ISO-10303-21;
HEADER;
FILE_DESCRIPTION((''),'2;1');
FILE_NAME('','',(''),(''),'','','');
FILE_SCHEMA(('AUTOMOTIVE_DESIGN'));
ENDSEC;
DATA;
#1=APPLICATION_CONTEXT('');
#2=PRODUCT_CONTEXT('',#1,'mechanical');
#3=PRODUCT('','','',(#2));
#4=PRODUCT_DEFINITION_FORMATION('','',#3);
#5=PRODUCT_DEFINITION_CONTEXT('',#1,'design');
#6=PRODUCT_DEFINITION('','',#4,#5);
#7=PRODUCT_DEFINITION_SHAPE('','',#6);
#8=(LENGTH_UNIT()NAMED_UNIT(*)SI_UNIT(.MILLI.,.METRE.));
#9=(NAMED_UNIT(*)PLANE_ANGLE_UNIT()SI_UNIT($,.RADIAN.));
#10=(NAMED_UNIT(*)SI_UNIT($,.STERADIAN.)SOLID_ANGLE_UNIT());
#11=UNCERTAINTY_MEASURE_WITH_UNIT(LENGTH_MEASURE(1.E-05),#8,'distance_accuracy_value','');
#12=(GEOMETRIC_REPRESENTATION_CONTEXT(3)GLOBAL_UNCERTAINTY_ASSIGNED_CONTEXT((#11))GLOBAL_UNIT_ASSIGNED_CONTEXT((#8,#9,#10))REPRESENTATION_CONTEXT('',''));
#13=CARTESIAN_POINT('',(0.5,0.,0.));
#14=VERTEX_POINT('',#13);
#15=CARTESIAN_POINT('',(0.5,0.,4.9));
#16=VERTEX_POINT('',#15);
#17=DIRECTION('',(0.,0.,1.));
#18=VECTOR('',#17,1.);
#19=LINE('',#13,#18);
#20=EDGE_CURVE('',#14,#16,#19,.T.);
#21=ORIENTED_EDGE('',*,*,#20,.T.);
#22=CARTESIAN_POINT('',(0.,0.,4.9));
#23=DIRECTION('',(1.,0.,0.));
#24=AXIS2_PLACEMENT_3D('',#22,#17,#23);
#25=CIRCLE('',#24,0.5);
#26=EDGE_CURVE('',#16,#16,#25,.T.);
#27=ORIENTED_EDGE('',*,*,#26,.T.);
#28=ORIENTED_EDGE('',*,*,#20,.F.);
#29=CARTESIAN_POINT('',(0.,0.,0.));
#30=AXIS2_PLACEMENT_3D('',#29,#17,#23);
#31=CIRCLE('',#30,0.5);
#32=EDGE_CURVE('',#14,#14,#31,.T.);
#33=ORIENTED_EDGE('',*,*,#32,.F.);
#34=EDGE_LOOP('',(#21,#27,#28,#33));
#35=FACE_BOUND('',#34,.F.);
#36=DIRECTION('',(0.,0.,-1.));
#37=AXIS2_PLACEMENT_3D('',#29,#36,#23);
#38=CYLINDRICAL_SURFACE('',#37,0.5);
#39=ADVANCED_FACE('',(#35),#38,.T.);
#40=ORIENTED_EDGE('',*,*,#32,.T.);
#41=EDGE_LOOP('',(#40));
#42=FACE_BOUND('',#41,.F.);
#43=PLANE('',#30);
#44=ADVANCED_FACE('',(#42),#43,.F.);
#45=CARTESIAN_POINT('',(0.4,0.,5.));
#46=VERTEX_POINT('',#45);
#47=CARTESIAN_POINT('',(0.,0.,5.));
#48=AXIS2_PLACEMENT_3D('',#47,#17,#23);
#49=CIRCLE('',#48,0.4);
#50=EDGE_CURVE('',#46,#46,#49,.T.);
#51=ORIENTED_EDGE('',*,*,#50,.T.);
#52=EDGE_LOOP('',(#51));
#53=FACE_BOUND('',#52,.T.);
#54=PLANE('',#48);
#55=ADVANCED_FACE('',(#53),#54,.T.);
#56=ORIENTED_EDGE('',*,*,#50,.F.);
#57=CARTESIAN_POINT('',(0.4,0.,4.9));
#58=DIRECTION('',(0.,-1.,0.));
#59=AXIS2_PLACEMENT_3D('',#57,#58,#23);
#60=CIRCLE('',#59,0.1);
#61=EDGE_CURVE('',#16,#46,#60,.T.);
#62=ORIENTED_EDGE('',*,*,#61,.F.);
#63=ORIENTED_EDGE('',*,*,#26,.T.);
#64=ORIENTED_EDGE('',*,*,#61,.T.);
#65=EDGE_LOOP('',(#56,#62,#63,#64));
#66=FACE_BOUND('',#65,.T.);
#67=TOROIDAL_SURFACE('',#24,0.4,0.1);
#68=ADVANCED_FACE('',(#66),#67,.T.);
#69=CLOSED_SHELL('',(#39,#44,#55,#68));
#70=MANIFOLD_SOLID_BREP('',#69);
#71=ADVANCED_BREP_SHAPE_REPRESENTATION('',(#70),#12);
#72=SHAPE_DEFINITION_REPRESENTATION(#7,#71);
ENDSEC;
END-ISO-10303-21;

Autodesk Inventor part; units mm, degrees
ref_plane "YZ Plane" through (0, 0, 0) normal (1, 0, 0) x (0, 1, 0)
ref_plane "XZ Plane" through (0, 0, 0) normal (0, 1, 0) x (-1, 0, 0)
ref_plane "XY Plane" through (0, 0, 0) normal (0, 0, 1) x (1, 0, 0)
sketch "Esquisse1" plane through (0, 0, 0) normal (0, 0, 1) x (1, 0, 0)
  circle A0 centre (0, 0) radius 0.5
  dimension "d0" = 1
extrude "Extrusion1" add sketch "Esquisse1" along normal blind 5
fillet "Congé1" radius 0.1 1 edges at (-0.5, 0, 5)
properties part number "queue"
